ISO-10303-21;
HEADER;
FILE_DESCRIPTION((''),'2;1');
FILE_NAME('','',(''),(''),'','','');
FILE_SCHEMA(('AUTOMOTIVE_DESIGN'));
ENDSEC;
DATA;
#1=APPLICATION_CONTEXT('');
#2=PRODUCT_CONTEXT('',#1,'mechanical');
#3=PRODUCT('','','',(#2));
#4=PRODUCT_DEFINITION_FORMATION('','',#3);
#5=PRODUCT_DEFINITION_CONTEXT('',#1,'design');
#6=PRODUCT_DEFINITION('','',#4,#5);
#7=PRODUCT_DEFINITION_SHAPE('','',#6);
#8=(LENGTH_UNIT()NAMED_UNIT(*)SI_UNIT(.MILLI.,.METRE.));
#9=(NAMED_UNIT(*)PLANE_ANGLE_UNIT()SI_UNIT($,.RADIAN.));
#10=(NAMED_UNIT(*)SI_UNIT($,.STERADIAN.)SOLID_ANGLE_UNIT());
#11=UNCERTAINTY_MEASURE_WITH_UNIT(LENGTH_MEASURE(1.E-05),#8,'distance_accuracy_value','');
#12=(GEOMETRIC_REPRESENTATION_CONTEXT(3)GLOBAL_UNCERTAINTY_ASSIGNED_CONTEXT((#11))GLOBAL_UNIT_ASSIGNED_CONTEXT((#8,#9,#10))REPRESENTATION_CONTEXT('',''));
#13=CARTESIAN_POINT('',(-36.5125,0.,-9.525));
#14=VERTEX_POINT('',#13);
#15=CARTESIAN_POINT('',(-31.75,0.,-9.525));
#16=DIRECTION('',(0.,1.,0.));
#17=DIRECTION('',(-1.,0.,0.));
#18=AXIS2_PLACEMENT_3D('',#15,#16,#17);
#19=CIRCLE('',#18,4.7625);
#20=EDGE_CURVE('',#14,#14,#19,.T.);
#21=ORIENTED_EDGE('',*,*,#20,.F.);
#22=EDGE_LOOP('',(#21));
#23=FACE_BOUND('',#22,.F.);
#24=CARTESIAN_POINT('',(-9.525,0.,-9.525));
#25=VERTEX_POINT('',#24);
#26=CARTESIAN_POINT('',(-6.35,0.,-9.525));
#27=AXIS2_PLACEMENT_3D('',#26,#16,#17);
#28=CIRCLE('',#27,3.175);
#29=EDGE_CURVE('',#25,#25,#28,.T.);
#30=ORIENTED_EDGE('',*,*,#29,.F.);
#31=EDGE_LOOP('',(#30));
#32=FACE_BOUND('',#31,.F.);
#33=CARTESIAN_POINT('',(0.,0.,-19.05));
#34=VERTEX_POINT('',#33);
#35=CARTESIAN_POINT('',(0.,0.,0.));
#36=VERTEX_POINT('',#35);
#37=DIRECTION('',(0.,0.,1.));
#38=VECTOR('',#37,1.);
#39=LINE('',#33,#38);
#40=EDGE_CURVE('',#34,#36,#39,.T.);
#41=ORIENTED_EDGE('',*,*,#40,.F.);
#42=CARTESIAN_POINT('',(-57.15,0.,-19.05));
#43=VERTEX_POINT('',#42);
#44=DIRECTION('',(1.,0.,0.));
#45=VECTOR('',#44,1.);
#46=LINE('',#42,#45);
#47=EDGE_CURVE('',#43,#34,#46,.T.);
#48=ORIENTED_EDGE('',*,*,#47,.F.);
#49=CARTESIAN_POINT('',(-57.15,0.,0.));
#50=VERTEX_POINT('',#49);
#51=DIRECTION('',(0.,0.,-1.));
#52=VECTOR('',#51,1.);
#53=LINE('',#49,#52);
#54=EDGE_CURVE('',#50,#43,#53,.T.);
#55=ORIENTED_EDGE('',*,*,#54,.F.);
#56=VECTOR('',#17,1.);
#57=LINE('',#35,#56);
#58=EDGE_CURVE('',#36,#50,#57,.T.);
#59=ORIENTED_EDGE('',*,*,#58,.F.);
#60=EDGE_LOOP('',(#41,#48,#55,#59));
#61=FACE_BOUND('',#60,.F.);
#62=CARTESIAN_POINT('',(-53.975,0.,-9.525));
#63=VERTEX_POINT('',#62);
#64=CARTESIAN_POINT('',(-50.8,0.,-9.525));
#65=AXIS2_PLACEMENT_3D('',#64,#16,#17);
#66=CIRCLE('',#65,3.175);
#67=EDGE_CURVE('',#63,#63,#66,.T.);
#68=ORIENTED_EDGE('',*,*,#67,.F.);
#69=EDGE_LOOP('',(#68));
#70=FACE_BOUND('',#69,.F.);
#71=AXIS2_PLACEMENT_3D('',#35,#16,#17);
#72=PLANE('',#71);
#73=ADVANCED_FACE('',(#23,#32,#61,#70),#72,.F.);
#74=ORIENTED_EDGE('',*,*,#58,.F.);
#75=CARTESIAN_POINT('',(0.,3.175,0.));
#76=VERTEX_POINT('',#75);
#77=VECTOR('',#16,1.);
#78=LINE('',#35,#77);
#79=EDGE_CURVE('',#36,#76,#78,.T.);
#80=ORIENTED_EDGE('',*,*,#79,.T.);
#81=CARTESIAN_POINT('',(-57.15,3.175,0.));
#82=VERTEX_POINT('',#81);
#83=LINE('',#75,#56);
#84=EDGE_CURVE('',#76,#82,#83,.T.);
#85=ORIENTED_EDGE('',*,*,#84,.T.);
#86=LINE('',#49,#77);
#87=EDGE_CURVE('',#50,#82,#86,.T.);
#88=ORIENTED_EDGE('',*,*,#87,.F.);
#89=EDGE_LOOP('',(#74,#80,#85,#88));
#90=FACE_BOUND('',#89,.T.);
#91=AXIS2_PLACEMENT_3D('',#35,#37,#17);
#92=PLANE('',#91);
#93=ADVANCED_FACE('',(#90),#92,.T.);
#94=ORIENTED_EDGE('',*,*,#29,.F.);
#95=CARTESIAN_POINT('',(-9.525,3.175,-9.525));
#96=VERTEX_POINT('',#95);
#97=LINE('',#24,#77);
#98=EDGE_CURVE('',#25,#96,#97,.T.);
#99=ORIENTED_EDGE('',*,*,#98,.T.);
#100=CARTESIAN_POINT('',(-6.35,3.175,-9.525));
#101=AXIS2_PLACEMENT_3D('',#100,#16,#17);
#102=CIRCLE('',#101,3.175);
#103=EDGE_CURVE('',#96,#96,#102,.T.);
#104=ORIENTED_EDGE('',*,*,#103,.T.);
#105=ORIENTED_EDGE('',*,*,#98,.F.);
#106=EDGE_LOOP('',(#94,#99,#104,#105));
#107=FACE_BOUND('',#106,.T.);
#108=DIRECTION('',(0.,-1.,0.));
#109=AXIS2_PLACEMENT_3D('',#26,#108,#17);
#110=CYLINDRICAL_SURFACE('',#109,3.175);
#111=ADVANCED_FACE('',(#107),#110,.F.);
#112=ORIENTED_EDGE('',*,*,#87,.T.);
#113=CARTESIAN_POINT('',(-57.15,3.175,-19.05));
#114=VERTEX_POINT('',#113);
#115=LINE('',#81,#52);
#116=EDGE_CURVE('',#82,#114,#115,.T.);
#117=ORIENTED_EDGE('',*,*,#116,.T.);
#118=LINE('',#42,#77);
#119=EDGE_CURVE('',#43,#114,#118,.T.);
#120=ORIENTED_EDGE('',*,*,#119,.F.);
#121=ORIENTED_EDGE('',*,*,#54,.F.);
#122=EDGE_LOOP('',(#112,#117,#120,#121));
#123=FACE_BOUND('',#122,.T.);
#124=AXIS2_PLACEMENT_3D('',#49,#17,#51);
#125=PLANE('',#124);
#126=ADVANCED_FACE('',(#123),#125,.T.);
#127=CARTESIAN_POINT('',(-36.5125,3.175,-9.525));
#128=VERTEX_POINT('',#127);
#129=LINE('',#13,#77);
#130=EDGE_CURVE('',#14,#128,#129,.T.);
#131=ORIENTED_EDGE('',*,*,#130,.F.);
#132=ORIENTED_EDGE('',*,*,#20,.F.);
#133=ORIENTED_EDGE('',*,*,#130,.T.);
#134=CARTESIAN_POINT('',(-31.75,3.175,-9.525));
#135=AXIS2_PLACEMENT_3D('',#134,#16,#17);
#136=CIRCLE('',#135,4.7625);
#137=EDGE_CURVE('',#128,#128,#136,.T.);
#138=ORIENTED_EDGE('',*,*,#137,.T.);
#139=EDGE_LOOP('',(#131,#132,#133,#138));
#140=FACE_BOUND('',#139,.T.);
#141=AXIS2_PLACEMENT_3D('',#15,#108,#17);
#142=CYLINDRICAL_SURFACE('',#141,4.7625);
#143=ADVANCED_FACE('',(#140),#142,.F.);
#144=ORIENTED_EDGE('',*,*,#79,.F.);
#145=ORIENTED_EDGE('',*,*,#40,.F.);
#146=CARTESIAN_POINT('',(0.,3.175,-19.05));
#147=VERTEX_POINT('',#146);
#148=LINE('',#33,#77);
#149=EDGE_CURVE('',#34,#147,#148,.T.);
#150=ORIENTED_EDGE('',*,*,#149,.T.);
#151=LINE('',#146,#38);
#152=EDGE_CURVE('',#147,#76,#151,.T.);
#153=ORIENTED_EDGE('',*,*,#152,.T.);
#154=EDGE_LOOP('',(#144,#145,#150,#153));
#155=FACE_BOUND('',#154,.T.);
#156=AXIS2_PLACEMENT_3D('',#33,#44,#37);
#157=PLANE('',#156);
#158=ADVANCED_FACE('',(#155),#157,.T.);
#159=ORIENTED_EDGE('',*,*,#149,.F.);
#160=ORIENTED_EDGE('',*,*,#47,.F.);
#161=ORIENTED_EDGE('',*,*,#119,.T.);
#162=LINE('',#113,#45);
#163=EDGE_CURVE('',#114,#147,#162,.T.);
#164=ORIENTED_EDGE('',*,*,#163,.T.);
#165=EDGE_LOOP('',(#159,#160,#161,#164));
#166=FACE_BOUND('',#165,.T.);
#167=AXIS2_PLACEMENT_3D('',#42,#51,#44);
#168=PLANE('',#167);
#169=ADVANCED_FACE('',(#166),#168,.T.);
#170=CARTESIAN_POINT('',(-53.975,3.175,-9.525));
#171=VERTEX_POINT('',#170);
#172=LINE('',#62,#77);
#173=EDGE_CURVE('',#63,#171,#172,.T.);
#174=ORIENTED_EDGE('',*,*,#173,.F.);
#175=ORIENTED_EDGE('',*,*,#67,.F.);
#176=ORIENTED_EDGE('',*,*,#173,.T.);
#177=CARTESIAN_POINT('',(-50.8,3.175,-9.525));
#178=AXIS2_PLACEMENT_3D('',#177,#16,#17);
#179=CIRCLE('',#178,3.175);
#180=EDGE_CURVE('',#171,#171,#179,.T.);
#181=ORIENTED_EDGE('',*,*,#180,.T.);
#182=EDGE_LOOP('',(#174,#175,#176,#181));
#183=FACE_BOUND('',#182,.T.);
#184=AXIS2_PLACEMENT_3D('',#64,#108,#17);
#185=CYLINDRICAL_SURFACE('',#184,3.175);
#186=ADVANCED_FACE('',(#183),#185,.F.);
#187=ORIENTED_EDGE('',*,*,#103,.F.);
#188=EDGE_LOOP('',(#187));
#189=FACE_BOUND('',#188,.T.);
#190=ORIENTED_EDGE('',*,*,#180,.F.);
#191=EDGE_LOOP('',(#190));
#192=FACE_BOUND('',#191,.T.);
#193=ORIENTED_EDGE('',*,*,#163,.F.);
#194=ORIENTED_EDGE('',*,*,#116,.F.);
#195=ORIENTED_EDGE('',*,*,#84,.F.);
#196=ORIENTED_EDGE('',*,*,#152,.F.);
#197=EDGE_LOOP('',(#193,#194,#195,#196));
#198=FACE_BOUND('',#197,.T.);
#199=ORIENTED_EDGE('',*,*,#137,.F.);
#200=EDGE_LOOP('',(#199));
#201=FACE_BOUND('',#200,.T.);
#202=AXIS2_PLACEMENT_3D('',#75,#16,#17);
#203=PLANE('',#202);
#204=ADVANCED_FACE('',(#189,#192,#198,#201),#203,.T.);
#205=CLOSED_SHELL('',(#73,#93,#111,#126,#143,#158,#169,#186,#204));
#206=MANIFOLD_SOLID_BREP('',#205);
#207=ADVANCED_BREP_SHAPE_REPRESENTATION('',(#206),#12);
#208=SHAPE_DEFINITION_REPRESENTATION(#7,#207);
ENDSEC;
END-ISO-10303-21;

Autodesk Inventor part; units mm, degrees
ref_plane "YZ Plane" through (0, 0, 0) normal (1, 0, 0) x (0, 1, 0)
ref_plane "XZ Plane" through (0, 0, 0) normal (0, 1, 0) x (-1, 0, 0)
ref_plane "XY Plane" through (0, 0, 0) normal (0, 0, 1) x (1, 0, 0)
sketch "Sketch1" plane through (0, 0, 0) normal (0, 1, 0) x (-1, 0, 0)
  line L0 (0, 0) -> (57.15, 0)
  line L1 (57.15, 0) -> (57.15, -19.05)
  line L2 (57.15, -19.05) -> (0, -19.05)
  line L3 (0, -19.05) -> (0, 0)
  circle A0 centre (6.35, -9.525) radius 3.175
  circle A1 centre (50.8, -9.525) radius 3.175
  circle A2 centre (31.75, -9.525) radius 4.7625
  dimension "d0" = 57.15
  dimension "d1" = 19.05
  dimension "d2" = 6.35
  dimension "d3" = 6.35
  dimension "d4" = 9.525
  dimension "d5" = 6.35
  dimension "d6" = 6.35
  dimension "d7" = 9.525
  dimension "d12" = 9.525
  dimension "d13" = 31.75
  dimension "d14" = 9.525
extrude "Extrusion1" add sketch "Sketch1" along normal blind 3.175 contours L0 L1 L2 L3 | A2
extrude "Extrusion2" cut sketch "Sketch1" along normal blind 3.175 contours A2
properties part number "15102898-16-P-0224"
